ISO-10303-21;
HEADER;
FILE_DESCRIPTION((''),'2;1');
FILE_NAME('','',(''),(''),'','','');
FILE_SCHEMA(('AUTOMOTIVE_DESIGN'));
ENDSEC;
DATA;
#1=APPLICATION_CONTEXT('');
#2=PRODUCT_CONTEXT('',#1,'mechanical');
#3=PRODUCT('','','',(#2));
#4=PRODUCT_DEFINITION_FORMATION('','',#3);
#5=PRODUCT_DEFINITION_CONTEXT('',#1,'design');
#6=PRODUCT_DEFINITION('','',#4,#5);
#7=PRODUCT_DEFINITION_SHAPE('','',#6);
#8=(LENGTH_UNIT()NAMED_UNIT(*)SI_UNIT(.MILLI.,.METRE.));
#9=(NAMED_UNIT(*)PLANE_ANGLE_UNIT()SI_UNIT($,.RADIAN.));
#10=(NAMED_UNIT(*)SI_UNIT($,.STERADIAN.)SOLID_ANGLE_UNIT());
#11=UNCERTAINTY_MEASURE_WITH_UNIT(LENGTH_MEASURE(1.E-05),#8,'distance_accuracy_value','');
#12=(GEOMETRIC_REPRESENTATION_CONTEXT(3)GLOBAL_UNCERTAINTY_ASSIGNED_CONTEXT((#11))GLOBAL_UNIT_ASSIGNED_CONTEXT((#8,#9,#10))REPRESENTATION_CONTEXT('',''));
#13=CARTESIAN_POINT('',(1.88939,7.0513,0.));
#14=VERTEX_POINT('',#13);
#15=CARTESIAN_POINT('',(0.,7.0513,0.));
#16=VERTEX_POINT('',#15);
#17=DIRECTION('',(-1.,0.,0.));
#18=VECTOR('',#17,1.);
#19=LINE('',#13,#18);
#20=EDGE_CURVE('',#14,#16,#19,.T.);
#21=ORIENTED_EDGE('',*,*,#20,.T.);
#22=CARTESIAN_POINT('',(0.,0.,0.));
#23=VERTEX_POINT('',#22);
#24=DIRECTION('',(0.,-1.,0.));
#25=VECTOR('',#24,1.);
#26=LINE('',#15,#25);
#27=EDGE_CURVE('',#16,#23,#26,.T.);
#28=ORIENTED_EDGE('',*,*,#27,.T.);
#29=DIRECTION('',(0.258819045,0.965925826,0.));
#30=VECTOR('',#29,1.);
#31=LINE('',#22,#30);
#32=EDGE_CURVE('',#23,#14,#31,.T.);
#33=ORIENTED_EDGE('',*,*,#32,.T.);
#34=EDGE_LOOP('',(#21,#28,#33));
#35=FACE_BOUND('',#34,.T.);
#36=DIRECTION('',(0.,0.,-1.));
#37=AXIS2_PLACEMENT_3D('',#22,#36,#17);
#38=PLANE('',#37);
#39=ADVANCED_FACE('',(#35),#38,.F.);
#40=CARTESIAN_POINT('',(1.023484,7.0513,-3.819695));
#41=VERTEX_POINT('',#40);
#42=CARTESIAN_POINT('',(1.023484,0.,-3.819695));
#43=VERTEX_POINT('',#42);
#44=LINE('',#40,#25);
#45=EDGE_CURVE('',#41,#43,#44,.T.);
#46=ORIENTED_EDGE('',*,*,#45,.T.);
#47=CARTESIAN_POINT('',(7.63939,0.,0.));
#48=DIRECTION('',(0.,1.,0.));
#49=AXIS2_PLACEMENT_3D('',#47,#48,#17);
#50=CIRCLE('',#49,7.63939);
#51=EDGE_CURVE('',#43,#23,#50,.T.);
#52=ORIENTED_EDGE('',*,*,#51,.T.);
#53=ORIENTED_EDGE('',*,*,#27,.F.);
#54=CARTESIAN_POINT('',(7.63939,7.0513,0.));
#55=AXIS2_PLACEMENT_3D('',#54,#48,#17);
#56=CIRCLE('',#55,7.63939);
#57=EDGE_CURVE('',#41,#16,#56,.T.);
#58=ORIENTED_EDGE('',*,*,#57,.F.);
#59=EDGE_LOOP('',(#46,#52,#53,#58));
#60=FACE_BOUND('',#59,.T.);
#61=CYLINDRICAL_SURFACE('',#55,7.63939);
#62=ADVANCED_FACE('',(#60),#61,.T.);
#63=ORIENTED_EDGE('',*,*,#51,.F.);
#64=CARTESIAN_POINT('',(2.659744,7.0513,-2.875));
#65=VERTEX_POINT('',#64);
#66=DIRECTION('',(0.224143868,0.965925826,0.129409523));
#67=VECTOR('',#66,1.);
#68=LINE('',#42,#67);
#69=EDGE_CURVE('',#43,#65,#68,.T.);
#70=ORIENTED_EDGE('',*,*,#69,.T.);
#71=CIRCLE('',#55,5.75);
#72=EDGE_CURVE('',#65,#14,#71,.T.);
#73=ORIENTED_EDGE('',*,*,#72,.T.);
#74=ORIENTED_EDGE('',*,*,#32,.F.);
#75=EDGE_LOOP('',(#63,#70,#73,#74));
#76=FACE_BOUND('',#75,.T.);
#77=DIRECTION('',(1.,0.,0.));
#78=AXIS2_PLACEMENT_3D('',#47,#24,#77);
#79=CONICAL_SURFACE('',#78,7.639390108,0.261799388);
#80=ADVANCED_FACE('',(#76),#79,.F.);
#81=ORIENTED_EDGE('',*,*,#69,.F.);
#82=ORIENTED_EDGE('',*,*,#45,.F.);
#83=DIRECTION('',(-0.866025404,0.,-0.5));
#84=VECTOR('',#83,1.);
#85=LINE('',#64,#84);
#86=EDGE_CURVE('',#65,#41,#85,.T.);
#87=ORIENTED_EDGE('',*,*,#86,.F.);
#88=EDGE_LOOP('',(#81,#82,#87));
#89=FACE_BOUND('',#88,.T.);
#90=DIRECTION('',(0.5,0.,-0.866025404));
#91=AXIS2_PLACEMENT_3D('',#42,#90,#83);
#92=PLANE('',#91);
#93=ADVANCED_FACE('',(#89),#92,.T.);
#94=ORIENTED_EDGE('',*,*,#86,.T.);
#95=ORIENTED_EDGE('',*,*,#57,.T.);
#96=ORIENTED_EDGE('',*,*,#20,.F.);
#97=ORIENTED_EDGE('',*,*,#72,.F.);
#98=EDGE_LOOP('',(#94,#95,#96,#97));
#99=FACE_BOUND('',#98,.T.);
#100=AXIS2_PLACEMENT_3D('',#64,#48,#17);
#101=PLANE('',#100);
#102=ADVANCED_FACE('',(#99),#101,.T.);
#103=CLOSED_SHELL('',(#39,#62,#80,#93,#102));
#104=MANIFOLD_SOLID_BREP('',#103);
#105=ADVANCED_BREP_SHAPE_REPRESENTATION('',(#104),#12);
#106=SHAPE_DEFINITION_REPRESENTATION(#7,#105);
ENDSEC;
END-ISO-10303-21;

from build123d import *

# Parameters (mm, degrees)
REVOLVE1_ANGLE = 30


with BuildPart() as part:
    # Sketch1 → Revolve1 (revolve)
    with BuildSketch(Plane.XY):
        Polygon((0, 0), (1.889390108, 7.051299877), (0, 7.051299877), align=None)
    revolve(axis=Axis((7.639390108, 7.051299877, 0), (0, -1, 0)), revolution_arc=REVOLVE1_ANGLE)


solid = part.part
